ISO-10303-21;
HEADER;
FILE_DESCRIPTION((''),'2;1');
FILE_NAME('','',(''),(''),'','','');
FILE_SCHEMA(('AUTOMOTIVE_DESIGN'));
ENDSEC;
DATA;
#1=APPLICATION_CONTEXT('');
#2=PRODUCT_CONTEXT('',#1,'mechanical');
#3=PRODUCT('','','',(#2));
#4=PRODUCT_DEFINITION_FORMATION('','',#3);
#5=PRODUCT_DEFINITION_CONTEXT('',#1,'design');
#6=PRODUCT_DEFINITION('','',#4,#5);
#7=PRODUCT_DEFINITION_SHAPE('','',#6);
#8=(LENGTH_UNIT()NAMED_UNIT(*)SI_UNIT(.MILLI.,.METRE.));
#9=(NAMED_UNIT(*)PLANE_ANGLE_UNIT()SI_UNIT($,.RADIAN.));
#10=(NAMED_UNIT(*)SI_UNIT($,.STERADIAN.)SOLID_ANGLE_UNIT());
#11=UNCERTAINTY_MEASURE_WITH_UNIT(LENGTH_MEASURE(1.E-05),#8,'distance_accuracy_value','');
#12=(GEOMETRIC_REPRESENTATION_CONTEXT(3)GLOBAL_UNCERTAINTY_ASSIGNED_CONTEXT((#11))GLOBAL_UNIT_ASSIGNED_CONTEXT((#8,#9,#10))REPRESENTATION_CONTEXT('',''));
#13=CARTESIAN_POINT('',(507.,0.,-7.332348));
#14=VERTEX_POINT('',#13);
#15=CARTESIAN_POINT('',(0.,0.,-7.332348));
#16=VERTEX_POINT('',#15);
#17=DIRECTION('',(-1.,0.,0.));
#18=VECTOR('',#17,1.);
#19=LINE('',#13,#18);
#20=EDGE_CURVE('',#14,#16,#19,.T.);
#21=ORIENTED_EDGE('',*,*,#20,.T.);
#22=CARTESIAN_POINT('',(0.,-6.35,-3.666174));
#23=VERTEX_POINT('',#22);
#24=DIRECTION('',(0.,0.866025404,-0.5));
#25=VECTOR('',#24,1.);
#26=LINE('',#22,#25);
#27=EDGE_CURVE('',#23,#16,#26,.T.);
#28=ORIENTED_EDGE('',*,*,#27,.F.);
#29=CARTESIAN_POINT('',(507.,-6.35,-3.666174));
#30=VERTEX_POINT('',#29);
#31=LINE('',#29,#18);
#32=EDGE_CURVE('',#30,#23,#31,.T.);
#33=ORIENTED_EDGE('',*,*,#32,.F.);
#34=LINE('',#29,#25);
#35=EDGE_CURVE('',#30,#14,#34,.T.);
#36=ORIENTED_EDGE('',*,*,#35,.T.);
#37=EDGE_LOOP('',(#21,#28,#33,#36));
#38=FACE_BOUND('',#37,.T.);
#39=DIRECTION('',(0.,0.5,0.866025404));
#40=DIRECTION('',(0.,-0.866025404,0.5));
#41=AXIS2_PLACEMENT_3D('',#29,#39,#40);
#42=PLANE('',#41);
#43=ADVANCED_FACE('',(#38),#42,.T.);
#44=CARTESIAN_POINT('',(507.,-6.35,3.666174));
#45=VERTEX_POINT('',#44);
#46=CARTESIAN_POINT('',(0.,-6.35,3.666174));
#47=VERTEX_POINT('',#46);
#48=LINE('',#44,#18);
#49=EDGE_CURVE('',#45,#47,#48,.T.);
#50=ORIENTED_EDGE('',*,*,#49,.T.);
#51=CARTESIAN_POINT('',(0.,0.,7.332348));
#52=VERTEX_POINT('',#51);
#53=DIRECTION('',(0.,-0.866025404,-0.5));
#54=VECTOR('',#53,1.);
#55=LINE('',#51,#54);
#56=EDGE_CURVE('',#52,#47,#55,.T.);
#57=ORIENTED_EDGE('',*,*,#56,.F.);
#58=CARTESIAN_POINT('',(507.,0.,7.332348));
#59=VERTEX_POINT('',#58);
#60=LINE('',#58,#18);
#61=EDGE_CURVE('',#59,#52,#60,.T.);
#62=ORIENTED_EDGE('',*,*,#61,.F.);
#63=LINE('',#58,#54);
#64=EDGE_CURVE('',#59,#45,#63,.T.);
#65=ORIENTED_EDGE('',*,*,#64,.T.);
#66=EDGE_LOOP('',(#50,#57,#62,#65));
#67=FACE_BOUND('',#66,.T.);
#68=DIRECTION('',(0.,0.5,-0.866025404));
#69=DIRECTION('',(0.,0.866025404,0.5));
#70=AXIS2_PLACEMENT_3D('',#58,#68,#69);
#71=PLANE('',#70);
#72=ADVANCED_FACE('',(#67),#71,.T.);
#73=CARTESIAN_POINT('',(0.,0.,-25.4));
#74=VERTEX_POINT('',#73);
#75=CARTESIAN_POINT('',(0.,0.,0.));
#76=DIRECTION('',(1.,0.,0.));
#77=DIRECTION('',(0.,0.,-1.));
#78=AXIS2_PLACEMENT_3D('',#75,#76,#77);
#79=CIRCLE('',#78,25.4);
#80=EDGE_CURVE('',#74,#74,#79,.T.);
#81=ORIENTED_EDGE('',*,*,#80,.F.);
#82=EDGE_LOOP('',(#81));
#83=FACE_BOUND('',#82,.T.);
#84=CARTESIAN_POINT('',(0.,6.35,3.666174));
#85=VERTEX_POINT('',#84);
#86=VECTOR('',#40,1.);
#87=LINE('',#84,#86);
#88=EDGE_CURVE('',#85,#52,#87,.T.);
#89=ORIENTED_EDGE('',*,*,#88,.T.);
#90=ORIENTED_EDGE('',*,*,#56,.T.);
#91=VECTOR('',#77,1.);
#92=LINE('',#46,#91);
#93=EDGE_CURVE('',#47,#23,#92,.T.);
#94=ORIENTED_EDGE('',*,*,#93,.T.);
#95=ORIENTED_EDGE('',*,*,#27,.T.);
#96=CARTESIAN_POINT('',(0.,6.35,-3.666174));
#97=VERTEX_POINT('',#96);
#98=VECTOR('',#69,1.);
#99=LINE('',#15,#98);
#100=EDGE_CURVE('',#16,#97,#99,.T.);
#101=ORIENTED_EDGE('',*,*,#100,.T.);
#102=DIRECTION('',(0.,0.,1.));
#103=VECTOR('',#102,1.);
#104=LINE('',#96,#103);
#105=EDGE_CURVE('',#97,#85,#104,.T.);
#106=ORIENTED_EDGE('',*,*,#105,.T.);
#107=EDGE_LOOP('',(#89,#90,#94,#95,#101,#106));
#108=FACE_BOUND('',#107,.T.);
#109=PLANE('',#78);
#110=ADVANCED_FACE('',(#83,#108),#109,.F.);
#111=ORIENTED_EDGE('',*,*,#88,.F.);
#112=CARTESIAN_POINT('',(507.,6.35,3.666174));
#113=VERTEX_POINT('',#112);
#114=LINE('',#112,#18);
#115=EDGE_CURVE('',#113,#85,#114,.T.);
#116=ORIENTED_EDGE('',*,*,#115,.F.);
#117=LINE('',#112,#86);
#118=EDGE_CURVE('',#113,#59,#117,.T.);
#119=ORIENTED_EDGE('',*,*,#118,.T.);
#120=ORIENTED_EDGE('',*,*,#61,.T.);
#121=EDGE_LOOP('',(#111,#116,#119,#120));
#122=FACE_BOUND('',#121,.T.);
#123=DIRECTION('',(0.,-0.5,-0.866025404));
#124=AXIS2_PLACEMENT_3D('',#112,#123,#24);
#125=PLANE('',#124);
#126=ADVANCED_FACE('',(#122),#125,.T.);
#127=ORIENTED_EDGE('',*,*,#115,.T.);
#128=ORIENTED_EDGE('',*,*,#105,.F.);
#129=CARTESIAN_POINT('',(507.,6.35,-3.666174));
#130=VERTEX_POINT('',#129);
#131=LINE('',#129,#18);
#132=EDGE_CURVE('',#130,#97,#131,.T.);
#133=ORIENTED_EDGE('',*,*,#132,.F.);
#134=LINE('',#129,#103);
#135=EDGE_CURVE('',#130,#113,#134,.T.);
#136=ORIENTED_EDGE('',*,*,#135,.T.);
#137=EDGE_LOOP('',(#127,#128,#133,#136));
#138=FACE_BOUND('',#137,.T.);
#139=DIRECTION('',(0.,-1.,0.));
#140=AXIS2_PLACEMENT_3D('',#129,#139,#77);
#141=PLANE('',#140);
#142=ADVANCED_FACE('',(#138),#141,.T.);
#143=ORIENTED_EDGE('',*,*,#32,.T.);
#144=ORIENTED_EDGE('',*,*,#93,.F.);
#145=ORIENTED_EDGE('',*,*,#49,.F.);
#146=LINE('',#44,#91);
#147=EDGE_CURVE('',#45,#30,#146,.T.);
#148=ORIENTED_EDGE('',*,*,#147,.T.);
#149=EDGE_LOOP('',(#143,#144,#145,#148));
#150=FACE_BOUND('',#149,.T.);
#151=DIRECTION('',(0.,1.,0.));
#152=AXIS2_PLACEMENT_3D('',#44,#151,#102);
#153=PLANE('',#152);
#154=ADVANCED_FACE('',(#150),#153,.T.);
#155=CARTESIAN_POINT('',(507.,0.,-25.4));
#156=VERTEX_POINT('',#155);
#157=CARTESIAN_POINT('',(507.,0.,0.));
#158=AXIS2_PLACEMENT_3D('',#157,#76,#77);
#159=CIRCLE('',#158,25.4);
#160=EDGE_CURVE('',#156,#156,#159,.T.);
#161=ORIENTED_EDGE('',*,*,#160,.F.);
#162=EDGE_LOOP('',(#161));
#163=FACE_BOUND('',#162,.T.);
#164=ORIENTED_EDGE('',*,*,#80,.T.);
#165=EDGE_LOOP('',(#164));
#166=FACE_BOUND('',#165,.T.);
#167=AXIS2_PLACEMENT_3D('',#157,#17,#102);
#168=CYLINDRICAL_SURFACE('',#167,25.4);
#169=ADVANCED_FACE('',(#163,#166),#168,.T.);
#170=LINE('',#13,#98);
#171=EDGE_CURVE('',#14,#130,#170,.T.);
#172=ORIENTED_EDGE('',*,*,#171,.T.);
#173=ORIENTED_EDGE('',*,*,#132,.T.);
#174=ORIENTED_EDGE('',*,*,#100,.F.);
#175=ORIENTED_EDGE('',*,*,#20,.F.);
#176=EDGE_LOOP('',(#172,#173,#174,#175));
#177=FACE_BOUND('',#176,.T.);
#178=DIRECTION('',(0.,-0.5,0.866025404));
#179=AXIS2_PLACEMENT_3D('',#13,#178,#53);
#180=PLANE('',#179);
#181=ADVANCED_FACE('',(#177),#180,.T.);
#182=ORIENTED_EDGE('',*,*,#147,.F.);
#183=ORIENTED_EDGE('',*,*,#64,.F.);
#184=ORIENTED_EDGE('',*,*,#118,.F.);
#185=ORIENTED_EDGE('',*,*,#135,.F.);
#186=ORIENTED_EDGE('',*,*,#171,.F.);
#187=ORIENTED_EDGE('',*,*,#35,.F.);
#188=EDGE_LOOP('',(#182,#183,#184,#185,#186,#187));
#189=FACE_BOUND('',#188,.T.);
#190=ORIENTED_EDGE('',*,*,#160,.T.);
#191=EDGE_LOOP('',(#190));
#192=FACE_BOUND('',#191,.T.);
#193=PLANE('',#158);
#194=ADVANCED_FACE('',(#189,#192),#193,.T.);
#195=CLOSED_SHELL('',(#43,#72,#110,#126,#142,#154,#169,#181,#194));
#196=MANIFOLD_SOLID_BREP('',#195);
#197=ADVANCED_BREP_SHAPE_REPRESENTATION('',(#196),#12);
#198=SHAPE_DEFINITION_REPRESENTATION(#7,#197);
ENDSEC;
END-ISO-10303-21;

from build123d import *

# Parameters (mm, degrees)
CROQUIS1_R              = 25.4
SALIENTE_EXTRUIR1_DEPTH = 507


with BuildPart() as part:
    # Croquis1 → Saliente-Extruir1 (new body)
    with BuildSketch(Plane(origin=(0, 0, 0), x_dir=(0, 0, -1), z_dir=(1, 0, 0))):
        Circle(CROQUIS1_R)
        Polygon((-7.332348419, 0), (-3.666174209, -6.35), (3.666174209, -6.35), (7.332348419, 0), (3.666174209, 6.35), (-3.666174209, 6.35), align=None, mode=Mode.SUBTRACT)
    extrude(amount=SALIENTE_EXTRUIR1_DEPTH)


solid = part.part
